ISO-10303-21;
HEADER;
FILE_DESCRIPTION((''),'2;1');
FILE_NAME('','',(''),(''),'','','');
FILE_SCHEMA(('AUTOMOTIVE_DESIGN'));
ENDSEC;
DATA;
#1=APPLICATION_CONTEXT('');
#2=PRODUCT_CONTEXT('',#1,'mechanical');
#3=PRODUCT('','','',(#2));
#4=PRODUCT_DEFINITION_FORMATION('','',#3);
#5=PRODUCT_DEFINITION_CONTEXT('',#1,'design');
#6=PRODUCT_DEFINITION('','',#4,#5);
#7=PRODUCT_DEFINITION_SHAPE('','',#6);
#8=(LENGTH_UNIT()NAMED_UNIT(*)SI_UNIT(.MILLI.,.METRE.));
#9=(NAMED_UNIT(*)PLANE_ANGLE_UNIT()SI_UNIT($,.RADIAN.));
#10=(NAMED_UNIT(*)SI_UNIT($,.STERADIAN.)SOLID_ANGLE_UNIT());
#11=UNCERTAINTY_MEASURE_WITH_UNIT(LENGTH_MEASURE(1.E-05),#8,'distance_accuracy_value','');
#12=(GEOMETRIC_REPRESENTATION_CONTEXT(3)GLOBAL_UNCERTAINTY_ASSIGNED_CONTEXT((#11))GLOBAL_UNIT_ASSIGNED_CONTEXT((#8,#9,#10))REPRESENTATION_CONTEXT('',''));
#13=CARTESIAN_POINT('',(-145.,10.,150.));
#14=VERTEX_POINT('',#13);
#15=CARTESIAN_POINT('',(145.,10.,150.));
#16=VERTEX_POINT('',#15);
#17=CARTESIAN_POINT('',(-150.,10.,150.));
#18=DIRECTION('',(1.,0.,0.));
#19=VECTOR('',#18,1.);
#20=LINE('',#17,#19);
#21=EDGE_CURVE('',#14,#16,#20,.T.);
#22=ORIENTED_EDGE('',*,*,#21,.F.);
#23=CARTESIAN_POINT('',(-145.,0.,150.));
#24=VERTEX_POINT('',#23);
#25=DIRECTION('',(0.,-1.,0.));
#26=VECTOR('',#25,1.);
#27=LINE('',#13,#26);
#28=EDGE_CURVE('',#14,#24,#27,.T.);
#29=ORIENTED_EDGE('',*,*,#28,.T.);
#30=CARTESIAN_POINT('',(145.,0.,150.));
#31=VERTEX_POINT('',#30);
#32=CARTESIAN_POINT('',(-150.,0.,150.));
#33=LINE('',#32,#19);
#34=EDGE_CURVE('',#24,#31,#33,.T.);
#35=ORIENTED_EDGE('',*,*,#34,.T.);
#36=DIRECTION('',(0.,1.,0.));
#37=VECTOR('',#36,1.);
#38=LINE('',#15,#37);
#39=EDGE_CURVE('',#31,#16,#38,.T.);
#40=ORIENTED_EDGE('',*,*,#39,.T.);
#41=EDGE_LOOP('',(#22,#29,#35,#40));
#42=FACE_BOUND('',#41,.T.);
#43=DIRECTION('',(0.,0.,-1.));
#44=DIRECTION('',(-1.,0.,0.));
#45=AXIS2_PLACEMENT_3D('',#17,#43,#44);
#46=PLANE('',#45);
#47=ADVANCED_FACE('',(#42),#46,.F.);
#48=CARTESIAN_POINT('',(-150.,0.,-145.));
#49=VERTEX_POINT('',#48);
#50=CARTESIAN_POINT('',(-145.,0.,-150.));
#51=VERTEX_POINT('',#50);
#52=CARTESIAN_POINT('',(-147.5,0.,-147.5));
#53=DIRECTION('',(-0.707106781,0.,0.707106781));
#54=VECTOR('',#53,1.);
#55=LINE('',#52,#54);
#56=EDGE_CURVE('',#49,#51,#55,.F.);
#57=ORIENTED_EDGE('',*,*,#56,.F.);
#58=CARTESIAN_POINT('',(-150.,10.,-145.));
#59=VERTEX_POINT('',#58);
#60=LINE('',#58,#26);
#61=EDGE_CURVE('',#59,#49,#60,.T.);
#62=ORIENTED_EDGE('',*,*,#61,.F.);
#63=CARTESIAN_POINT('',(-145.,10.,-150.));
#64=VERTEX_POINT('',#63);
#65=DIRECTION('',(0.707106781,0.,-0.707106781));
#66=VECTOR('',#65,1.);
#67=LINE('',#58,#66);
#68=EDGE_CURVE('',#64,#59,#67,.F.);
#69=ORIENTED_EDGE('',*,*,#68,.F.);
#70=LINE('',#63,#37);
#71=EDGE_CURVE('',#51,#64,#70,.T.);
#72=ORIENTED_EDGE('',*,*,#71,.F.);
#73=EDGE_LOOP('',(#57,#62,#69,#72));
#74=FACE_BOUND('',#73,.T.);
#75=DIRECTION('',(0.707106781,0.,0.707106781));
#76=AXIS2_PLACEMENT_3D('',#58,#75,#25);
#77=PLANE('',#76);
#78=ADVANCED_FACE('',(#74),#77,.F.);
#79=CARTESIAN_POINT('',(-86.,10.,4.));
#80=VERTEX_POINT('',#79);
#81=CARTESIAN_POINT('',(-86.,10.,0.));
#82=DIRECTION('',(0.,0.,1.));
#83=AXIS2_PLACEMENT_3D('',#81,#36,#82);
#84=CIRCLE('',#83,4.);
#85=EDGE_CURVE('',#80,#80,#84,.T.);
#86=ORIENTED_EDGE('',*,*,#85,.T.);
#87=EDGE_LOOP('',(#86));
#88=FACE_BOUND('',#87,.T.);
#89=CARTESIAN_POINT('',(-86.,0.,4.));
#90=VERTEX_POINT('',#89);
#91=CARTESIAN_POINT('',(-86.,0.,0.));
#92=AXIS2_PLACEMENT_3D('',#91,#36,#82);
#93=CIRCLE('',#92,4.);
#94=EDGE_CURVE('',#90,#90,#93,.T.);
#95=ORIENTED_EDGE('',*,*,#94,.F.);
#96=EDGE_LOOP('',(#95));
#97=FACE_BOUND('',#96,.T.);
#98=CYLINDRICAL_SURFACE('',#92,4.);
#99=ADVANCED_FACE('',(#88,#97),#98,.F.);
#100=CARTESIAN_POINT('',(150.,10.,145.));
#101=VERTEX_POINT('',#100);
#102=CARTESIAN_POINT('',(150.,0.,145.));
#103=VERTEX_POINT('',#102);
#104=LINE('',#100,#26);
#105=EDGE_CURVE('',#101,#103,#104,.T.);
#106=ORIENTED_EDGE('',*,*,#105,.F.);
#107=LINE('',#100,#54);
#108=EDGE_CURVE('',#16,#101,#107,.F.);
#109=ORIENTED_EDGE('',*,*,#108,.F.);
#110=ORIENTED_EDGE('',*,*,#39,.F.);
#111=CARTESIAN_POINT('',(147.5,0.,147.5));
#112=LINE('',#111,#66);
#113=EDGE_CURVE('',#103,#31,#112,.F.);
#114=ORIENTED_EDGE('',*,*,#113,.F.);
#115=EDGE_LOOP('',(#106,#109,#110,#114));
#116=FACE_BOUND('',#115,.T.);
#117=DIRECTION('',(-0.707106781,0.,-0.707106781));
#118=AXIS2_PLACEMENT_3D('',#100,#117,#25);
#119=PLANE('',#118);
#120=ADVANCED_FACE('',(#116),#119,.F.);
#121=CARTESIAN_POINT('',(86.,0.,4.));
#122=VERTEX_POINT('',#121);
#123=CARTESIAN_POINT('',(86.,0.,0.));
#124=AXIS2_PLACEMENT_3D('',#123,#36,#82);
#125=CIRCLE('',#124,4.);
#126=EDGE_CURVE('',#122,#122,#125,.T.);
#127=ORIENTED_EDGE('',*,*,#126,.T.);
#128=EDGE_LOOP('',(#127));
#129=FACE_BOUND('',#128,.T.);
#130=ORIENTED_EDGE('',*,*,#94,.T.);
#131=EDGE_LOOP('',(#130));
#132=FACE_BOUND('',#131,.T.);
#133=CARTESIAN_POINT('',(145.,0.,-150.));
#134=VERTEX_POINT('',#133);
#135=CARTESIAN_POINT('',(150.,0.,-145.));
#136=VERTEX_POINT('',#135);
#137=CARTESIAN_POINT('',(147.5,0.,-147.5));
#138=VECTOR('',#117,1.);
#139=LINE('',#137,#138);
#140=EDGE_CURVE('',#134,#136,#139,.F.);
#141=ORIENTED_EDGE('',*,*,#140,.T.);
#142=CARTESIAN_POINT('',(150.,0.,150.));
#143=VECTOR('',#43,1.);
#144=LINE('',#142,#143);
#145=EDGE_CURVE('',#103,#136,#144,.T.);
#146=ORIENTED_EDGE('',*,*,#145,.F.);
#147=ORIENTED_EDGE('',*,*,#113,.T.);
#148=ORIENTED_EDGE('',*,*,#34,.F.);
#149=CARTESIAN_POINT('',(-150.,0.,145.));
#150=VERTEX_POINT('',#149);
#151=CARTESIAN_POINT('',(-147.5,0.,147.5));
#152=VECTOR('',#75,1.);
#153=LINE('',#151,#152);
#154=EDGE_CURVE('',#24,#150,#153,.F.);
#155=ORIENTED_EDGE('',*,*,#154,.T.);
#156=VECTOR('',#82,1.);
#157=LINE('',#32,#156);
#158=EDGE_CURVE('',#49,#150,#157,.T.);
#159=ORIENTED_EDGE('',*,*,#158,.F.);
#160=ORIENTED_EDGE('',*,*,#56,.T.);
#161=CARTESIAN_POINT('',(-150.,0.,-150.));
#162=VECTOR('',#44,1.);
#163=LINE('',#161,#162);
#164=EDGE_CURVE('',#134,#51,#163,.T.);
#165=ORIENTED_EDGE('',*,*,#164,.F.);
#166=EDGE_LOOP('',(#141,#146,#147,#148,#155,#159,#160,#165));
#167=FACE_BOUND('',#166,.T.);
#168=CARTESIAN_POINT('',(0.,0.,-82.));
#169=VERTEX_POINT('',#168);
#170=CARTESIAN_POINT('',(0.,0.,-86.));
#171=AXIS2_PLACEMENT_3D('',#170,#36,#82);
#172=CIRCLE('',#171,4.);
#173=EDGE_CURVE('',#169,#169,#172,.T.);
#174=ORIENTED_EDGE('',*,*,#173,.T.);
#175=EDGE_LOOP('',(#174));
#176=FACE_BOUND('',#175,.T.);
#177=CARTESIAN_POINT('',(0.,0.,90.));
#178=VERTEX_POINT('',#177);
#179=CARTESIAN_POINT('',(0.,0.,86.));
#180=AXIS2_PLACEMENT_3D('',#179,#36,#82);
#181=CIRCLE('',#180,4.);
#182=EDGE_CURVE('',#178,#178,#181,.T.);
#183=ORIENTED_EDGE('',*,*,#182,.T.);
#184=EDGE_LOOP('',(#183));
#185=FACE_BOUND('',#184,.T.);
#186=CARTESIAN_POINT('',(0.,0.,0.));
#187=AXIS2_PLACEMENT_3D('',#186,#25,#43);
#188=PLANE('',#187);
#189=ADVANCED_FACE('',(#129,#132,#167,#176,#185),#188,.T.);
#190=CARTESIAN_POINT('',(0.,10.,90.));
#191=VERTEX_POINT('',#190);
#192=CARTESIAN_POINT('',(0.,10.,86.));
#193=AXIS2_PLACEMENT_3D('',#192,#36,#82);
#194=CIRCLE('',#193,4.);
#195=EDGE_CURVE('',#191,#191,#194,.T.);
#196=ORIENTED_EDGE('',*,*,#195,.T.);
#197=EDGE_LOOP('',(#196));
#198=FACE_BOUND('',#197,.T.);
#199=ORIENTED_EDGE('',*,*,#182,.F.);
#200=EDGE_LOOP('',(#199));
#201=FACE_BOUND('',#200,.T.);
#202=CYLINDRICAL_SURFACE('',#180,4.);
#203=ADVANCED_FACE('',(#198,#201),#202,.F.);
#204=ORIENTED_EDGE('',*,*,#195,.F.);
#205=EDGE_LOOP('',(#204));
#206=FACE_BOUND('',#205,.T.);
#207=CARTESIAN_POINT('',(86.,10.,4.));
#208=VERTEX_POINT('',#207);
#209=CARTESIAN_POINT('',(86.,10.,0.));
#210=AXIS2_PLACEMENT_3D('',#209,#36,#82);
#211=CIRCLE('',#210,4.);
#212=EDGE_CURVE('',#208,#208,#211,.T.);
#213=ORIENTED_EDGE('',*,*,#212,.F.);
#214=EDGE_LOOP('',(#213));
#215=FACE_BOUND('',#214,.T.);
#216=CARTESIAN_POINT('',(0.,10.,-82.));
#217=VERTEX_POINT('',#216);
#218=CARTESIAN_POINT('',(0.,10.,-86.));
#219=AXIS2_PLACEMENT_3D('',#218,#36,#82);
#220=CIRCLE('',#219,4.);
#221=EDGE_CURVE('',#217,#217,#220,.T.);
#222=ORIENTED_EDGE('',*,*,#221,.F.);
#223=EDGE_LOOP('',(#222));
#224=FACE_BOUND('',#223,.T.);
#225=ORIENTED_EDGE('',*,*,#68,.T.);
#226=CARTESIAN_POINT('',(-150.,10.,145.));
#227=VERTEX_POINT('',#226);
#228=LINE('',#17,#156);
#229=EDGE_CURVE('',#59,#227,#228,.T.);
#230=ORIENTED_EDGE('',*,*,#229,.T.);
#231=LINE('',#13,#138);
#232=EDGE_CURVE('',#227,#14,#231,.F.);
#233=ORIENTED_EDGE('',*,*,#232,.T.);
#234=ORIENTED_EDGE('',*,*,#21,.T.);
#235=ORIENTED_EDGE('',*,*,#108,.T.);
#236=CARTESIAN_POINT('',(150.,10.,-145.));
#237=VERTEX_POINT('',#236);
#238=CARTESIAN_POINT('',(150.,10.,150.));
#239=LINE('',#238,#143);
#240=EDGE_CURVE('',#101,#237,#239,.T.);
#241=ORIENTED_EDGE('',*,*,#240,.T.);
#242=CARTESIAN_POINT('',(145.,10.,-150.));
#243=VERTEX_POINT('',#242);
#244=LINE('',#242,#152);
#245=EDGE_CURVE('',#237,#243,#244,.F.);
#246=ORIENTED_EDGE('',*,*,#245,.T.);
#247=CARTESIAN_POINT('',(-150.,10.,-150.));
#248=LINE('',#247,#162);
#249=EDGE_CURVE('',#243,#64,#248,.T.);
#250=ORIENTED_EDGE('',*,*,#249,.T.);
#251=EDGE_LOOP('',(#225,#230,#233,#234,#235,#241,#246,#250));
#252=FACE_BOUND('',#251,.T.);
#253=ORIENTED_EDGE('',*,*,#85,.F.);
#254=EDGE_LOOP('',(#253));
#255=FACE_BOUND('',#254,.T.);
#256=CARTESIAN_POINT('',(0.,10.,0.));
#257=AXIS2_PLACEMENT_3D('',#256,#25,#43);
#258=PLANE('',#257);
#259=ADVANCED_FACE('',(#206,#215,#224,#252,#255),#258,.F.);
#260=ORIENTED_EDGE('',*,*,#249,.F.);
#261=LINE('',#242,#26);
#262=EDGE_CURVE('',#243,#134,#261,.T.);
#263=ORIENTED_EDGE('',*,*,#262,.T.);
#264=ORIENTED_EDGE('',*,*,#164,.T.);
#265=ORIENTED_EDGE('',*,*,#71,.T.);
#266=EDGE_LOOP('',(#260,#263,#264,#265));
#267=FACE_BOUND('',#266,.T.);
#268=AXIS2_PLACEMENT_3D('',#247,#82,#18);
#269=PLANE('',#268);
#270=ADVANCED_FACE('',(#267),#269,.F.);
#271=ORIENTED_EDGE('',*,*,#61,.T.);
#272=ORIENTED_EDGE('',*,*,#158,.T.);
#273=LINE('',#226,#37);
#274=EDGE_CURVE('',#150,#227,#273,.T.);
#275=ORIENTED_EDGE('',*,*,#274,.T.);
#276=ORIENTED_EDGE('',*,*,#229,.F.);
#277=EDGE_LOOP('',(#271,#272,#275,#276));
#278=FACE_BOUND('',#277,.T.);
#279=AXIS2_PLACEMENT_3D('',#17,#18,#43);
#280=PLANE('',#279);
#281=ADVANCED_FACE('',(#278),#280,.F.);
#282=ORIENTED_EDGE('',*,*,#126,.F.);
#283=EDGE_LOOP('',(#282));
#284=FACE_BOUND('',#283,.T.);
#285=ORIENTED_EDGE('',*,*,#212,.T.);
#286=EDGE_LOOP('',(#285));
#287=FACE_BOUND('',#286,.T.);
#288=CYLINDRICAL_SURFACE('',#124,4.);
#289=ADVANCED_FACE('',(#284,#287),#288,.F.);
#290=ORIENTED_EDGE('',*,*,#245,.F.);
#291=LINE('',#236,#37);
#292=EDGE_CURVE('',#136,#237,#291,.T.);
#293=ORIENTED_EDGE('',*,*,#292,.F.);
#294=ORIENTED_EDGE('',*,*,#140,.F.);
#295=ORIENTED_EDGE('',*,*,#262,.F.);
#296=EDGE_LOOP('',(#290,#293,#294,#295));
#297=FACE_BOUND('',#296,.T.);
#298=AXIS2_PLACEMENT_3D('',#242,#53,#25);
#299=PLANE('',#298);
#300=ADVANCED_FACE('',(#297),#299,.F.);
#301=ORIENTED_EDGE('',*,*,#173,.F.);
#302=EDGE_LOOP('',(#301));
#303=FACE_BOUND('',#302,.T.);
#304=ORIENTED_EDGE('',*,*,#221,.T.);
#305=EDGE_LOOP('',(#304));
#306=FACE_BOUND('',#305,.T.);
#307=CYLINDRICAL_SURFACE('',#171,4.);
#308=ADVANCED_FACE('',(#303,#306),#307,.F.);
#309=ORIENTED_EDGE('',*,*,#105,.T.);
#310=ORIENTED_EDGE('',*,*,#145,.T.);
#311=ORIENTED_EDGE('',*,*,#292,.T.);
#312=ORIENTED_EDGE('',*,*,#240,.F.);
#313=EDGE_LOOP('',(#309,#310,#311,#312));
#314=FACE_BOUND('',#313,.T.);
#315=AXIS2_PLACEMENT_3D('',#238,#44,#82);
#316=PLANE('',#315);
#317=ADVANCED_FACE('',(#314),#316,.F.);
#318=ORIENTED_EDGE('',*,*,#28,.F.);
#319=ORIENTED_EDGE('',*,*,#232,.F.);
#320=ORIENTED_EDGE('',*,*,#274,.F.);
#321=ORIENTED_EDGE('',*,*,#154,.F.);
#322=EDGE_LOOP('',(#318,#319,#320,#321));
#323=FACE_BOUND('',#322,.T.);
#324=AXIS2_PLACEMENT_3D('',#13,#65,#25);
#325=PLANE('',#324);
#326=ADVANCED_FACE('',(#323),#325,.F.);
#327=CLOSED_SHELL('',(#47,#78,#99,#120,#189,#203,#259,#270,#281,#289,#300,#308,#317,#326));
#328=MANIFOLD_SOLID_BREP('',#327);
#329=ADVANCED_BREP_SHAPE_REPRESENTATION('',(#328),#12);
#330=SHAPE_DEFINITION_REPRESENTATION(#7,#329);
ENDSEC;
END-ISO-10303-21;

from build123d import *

# Parameters (mm, degrees)
SKETCH_1_W          = 300
SKETCH_1_H          = 300
EXTRUDE_1_DEPTH     = 10
CHAMFER_1_SIZE      = 5
SKETCH_2_R          = 4
CUT_EXTRUDE_1_DEPTH = 10


with BuildPart() as part:
    # 스케치1 → 보스-돌출1 (new body)
    with BuildSketch(Plane(origin=(0, 0, 0), x_dir=(1, 0, 0), z_dir=(0, 1, 0))):
        Rectangle(SKETCH_1_W, SKETCH_1_H)
    extrude(amount=EXTRUDE_1_DEPTH)

    # 모따기1
    chamfer_1_edges = [part.edges().sort_by_distance(p)[0] for p in [
        (150, 5, 150),
        (-150, 5, 150),
        (-150, 5, -150),
        (150, 5, -150),
    ]]
    chamfer(chamfer_1_edges, length=CHAMFER_1_SIZE)

    # 스케치2 → 컷-돌출1 (cut)
    with BuildSketch(Plane(origin=(0, 10, 0), x_dir=(1, 0, 0), z_dir=(0, 1, 0))):
        with Locations(Location((0, -86, 0), (0, 0, 270))):
            Circle(SKETCH_2_R)
        with Locations(Location((-86, 0, 0), (0, 0, 270))):
            Circle(SKETCH_2_R)
        with Locations(Location((0, 86, 0), (0, 0, 270))):
            Circle(SKETCH_2_R)
        with Locations(Location((86, 0, 0), (0, 0, 270))):
            Circle(SKETCH_2_R)
    extrude(amount=-CUT_EXTRUDE_1_DEPTH, mode=Mode.SUBTRACT)


solid = part.part
